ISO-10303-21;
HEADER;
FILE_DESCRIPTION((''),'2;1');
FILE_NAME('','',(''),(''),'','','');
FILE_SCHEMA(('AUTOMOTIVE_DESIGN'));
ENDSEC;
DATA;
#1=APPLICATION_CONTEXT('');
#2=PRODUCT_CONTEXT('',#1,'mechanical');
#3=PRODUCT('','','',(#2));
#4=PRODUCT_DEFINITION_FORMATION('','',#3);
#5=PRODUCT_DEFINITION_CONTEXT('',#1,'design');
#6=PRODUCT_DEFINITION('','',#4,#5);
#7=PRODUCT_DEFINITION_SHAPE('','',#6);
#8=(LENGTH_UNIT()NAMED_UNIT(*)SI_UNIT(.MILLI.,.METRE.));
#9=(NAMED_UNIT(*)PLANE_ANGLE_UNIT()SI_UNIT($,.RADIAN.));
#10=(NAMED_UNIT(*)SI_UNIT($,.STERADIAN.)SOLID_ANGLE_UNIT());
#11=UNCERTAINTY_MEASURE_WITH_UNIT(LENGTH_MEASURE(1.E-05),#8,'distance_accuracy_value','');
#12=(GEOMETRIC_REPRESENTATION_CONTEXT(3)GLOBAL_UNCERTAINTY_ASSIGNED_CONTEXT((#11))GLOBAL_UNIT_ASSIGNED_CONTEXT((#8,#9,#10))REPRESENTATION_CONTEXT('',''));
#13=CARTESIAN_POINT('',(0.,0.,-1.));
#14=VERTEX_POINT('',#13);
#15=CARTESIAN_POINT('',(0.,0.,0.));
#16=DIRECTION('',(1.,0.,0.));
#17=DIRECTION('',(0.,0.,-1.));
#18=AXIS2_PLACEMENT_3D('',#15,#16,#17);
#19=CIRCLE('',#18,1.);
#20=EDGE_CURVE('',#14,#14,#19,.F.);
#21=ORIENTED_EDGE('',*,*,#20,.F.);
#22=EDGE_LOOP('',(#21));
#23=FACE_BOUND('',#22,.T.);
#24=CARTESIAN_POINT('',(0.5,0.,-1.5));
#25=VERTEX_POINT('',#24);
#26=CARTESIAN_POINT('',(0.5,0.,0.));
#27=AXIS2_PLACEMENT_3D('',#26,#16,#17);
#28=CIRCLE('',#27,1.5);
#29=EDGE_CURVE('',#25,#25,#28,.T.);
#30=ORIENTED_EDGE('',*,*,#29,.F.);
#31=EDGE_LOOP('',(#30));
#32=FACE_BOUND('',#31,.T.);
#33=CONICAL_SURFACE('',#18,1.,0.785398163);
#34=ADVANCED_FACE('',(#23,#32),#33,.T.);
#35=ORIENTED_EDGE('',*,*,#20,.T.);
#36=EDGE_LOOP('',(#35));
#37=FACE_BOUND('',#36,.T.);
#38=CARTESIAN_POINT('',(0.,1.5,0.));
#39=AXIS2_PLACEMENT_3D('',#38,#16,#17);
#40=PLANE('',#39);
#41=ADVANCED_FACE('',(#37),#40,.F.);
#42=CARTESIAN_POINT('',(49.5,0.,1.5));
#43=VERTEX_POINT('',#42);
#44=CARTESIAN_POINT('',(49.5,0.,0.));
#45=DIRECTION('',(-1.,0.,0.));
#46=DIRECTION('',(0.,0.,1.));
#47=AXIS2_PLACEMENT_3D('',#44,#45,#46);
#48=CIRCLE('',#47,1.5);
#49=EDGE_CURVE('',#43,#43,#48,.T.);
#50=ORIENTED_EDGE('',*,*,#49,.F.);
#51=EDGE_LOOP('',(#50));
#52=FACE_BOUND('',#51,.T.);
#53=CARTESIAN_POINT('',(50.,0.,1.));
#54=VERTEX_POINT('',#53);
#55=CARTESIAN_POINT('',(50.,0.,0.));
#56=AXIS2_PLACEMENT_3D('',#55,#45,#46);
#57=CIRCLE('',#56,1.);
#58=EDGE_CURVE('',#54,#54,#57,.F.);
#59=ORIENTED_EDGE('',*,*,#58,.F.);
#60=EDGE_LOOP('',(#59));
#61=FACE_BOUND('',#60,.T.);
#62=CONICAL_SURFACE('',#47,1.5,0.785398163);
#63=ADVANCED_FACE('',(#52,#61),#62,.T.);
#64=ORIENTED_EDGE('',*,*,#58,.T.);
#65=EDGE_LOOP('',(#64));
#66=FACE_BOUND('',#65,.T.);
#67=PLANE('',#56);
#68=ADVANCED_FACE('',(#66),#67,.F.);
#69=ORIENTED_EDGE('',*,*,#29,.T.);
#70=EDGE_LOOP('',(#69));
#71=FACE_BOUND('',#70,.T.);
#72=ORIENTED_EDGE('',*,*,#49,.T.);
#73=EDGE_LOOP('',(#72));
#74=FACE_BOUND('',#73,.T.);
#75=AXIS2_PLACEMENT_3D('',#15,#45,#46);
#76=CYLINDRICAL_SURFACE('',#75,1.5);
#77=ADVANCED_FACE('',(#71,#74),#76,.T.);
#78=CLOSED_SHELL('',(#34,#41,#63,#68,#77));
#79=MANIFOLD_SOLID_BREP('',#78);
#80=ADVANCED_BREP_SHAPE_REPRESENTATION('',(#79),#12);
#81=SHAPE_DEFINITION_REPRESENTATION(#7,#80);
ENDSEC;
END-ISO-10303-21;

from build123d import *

# Parameters (mm, degrees)
SKETCH1_W     = 50
SKETCH1_H     = 1.5
CHAMFER1_SIZE = 0.5


with BuildPart() as part:
    # Sketch1 → Revolve1 (revolve)
    with BuildSketch(Plane.XY):
        with Locations((25, 0.75)):
            Rectangle(SKETCH1_W, SKETCH1_H)
    revolve(axis=Axis((0, 0, 0), (1, 0, 0)))

    # Chamfer1
    chamfer1_edges = [part.edges().sort_by_distance(p)[0] for p in [
        (0, -1.5, 0),
        (50, -1.5, 0),
    ]]
    chamfer(chamfer1_edges, length=CHAMFER1_SIZE)


solid = part.part
